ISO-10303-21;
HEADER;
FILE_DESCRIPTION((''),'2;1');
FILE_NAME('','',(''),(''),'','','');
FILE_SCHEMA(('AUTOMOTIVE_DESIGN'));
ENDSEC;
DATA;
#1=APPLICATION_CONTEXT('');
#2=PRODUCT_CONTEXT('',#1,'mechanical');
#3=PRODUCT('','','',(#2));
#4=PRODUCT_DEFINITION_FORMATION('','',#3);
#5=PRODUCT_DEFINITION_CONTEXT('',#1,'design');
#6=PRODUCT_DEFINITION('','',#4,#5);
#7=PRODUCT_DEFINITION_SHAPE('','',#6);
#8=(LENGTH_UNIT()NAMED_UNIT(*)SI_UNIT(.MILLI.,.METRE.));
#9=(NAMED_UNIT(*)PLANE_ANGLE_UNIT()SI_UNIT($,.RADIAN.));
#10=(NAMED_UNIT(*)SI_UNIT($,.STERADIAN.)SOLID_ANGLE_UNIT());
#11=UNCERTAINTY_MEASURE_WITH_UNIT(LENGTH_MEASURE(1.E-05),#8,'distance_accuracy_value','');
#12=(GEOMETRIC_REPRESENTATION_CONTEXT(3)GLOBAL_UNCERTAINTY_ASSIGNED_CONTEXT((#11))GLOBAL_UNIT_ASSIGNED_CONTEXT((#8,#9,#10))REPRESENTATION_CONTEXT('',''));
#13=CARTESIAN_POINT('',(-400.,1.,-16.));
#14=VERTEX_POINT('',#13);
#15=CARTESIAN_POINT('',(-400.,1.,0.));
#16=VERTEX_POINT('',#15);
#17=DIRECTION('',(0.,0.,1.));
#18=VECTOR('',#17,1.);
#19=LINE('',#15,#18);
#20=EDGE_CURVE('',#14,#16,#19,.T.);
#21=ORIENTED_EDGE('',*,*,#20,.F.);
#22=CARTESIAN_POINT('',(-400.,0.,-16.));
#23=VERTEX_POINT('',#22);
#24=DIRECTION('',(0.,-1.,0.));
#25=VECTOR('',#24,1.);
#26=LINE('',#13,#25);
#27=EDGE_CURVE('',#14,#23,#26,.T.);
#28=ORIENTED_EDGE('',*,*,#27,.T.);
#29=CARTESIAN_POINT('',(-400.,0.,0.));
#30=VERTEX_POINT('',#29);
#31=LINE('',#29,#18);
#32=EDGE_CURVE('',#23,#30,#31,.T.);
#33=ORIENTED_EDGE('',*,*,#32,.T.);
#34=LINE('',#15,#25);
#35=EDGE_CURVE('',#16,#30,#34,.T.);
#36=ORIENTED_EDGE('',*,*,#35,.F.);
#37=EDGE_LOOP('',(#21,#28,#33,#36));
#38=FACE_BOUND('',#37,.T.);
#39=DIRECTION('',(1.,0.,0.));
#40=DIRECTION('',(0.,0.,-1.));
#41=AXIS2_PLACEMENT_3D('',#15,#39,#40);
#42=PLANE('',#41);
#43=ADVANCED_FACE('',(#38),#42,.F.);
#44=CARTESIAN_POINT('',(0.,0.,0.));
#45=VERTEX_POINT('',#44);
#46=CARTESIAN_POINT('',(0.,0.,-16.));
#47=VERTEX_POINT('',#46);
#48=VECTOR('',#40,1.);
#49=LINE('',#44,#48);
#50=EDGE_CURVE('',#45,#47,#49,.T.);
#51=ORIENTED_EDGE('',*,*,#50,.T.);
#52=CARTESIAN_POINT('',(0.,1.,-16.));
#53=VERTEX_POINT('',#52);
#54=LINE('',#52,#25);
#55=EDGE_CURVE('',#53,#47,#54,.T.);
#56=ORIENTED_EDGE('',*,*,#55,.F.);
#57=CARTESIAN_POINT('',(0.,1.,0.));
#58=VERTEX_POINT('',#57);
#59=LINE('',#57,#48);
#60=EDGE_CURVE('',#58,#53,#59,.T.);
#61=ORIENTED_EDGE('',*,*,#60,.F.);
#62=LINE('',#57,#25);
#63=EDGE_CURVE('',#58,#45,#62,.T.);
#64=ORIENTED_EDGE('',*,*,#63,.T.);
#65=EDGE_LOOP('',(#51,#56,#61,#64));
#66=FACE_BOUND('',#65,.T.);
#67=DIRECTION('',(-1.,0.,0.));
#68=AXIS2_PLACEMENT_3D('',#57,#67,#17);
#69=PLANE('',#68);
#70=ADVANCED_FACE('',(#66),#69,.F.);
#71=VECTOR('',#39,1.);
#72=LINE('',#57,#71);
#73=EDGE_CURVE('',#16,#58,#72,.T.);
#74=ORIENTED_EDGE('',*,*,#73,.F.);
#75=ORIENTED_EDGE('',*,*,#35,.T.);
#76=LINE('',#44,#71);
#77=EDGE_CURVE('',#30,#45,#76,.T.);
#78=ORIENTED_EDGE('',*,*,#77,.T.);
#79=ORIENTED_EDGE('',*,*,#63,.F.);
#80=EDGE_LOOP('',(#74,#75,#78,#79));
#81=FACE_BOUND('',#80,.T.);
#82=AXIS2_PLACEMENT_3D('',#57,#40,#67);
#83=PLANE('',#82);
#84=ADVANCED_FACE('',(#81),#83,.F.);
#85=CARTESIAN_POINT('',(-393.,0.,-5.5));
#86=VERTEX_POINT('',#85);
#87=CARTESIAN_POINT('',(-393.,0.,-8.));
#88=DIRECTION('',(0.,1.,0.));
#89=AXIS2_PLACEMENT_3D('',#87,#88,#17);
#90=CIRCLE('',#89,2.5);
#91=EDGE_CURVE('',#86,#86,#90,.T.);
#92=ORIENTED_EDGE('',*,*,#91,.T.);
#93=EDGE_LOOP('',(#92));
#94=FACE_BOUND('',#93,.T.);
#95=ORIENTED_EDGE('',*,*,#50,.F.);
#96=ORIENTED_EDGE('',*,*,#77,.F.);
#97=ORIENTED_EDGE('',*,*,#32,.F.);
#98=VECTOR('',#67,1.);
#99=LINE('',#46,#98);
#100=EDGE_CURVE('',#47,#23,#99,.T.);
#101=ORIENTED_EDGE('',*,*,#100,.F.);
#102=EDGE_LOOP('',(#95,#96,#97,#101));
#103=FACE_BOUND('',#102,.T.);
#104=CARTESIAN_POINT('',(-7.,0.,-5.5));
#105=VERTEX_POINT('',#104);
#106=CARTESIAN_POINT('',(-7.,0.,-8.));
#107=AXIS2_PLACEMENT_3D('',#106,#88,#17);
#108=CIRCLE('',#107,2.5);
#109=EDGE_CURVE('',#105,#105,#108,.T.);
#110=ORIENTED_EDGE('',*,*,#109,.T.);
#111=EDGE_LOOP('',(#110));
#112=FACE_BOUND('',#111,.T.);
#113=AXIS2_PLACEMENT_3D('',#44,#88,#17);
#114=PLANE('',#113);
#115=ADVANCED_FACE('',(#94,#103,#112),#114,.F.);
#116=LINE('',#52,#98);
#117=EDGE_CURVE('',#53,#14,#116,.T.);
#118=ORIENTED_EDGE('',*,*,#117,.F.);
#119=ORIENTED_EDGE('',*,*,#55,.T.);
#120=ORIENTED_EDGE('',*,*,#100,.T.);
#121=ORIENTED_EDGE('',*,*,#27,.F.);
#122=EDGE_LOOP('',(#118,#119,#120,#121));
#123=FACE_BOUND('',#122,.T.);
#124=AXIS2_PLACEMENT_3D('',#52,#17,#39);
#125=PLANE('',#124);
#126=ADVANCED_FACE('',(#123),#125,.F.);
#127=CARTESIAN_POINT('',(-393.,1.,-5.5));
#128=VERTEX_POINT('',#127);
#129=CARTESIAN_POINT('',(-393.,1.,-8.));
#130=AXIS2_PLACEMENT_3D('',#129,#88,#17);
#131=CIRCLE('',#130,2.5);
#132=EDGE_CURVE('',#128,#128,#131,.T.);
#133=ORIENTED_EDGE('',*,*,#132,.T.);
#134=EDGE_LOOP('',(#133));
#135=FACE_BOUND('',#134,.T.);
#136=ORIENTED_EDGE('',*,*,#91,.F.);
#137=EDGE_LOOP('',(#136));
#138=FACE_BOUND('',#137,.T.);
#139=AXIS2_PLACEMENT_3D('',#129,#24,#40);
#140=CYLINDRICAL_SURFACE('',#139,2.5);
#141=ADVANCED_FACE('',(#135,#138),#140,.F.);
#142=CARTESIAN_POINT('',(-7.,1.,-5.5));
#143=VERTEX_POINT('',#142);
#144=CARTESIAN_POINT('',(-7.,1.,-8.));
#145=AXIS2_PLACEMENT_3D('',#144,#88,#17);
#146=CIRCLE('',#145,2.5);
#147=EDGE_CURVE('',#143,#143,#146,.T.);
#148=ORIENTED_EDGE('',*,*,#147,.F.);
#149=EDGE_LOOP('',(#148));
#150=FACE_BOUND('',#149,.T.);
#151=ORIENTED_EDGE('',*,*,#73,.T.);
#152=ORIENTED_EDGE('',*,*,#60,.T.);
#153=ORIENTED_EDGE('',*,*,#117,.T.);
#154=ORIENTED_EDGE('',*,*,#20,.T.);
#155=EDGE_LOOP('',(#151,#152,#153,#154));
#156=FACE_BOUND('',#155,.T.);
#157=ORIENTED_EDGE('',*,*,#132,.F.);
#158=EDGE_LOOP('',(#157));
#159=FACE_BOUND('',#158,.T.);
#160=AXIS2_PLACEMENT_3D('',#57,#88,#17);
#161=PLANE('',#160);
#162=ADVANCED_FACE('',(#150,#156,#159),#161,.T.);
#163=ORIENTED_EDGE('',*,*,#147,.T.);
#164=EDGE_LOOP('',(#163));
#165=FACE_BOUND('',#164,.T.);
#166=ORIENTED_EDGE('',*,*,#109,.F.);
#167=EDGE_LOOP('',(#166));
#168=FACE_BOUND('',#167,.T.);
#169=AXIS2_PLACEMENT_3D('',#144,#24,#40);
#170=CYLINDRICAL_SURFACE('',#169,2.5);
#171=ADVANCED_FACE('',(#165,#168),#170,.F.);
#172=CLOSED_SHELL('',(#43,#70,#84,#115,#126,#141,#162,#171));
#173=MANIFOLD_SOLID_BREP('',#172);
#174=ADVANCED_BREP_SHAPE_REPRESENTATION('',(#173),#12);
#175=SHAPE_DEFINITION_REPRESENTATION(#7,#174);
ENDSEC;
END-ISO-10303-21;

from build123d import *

# Parameters (mm, degrees)
SKETCH_1_W      = 400
SKETCH_1_H      = 16
SKETCH_1_R      = 2.5
EXTRUDE_1_DEPTH = 1


with BuildPart() as part:
    # Эскиз1 → Бобышка-Вытянуть1 (new body)
    with BuildSketch(Plane(origin=(0, 0, 0), x_dir=(1, 0, 0), z_dir=(0, 1, 0))):
        with Locations((-200, 8)):
            Rectangle(SKETCH_1_W, SKETCH_1_H)
        with Locations(Location((-393, 8, 0), (0, 0, 270))):
            Circle(SKETCH_1_R, mode=Mode.SUBTRACT)
        with Locations(Location((-7, 8, 0), (0, 0, 270))):
            Circle(SKETCH_1_R, mode=Mode.SUBTRACT)
    extrude(amount=EXTRUDE_1_DEPTH)


solid = part.part
